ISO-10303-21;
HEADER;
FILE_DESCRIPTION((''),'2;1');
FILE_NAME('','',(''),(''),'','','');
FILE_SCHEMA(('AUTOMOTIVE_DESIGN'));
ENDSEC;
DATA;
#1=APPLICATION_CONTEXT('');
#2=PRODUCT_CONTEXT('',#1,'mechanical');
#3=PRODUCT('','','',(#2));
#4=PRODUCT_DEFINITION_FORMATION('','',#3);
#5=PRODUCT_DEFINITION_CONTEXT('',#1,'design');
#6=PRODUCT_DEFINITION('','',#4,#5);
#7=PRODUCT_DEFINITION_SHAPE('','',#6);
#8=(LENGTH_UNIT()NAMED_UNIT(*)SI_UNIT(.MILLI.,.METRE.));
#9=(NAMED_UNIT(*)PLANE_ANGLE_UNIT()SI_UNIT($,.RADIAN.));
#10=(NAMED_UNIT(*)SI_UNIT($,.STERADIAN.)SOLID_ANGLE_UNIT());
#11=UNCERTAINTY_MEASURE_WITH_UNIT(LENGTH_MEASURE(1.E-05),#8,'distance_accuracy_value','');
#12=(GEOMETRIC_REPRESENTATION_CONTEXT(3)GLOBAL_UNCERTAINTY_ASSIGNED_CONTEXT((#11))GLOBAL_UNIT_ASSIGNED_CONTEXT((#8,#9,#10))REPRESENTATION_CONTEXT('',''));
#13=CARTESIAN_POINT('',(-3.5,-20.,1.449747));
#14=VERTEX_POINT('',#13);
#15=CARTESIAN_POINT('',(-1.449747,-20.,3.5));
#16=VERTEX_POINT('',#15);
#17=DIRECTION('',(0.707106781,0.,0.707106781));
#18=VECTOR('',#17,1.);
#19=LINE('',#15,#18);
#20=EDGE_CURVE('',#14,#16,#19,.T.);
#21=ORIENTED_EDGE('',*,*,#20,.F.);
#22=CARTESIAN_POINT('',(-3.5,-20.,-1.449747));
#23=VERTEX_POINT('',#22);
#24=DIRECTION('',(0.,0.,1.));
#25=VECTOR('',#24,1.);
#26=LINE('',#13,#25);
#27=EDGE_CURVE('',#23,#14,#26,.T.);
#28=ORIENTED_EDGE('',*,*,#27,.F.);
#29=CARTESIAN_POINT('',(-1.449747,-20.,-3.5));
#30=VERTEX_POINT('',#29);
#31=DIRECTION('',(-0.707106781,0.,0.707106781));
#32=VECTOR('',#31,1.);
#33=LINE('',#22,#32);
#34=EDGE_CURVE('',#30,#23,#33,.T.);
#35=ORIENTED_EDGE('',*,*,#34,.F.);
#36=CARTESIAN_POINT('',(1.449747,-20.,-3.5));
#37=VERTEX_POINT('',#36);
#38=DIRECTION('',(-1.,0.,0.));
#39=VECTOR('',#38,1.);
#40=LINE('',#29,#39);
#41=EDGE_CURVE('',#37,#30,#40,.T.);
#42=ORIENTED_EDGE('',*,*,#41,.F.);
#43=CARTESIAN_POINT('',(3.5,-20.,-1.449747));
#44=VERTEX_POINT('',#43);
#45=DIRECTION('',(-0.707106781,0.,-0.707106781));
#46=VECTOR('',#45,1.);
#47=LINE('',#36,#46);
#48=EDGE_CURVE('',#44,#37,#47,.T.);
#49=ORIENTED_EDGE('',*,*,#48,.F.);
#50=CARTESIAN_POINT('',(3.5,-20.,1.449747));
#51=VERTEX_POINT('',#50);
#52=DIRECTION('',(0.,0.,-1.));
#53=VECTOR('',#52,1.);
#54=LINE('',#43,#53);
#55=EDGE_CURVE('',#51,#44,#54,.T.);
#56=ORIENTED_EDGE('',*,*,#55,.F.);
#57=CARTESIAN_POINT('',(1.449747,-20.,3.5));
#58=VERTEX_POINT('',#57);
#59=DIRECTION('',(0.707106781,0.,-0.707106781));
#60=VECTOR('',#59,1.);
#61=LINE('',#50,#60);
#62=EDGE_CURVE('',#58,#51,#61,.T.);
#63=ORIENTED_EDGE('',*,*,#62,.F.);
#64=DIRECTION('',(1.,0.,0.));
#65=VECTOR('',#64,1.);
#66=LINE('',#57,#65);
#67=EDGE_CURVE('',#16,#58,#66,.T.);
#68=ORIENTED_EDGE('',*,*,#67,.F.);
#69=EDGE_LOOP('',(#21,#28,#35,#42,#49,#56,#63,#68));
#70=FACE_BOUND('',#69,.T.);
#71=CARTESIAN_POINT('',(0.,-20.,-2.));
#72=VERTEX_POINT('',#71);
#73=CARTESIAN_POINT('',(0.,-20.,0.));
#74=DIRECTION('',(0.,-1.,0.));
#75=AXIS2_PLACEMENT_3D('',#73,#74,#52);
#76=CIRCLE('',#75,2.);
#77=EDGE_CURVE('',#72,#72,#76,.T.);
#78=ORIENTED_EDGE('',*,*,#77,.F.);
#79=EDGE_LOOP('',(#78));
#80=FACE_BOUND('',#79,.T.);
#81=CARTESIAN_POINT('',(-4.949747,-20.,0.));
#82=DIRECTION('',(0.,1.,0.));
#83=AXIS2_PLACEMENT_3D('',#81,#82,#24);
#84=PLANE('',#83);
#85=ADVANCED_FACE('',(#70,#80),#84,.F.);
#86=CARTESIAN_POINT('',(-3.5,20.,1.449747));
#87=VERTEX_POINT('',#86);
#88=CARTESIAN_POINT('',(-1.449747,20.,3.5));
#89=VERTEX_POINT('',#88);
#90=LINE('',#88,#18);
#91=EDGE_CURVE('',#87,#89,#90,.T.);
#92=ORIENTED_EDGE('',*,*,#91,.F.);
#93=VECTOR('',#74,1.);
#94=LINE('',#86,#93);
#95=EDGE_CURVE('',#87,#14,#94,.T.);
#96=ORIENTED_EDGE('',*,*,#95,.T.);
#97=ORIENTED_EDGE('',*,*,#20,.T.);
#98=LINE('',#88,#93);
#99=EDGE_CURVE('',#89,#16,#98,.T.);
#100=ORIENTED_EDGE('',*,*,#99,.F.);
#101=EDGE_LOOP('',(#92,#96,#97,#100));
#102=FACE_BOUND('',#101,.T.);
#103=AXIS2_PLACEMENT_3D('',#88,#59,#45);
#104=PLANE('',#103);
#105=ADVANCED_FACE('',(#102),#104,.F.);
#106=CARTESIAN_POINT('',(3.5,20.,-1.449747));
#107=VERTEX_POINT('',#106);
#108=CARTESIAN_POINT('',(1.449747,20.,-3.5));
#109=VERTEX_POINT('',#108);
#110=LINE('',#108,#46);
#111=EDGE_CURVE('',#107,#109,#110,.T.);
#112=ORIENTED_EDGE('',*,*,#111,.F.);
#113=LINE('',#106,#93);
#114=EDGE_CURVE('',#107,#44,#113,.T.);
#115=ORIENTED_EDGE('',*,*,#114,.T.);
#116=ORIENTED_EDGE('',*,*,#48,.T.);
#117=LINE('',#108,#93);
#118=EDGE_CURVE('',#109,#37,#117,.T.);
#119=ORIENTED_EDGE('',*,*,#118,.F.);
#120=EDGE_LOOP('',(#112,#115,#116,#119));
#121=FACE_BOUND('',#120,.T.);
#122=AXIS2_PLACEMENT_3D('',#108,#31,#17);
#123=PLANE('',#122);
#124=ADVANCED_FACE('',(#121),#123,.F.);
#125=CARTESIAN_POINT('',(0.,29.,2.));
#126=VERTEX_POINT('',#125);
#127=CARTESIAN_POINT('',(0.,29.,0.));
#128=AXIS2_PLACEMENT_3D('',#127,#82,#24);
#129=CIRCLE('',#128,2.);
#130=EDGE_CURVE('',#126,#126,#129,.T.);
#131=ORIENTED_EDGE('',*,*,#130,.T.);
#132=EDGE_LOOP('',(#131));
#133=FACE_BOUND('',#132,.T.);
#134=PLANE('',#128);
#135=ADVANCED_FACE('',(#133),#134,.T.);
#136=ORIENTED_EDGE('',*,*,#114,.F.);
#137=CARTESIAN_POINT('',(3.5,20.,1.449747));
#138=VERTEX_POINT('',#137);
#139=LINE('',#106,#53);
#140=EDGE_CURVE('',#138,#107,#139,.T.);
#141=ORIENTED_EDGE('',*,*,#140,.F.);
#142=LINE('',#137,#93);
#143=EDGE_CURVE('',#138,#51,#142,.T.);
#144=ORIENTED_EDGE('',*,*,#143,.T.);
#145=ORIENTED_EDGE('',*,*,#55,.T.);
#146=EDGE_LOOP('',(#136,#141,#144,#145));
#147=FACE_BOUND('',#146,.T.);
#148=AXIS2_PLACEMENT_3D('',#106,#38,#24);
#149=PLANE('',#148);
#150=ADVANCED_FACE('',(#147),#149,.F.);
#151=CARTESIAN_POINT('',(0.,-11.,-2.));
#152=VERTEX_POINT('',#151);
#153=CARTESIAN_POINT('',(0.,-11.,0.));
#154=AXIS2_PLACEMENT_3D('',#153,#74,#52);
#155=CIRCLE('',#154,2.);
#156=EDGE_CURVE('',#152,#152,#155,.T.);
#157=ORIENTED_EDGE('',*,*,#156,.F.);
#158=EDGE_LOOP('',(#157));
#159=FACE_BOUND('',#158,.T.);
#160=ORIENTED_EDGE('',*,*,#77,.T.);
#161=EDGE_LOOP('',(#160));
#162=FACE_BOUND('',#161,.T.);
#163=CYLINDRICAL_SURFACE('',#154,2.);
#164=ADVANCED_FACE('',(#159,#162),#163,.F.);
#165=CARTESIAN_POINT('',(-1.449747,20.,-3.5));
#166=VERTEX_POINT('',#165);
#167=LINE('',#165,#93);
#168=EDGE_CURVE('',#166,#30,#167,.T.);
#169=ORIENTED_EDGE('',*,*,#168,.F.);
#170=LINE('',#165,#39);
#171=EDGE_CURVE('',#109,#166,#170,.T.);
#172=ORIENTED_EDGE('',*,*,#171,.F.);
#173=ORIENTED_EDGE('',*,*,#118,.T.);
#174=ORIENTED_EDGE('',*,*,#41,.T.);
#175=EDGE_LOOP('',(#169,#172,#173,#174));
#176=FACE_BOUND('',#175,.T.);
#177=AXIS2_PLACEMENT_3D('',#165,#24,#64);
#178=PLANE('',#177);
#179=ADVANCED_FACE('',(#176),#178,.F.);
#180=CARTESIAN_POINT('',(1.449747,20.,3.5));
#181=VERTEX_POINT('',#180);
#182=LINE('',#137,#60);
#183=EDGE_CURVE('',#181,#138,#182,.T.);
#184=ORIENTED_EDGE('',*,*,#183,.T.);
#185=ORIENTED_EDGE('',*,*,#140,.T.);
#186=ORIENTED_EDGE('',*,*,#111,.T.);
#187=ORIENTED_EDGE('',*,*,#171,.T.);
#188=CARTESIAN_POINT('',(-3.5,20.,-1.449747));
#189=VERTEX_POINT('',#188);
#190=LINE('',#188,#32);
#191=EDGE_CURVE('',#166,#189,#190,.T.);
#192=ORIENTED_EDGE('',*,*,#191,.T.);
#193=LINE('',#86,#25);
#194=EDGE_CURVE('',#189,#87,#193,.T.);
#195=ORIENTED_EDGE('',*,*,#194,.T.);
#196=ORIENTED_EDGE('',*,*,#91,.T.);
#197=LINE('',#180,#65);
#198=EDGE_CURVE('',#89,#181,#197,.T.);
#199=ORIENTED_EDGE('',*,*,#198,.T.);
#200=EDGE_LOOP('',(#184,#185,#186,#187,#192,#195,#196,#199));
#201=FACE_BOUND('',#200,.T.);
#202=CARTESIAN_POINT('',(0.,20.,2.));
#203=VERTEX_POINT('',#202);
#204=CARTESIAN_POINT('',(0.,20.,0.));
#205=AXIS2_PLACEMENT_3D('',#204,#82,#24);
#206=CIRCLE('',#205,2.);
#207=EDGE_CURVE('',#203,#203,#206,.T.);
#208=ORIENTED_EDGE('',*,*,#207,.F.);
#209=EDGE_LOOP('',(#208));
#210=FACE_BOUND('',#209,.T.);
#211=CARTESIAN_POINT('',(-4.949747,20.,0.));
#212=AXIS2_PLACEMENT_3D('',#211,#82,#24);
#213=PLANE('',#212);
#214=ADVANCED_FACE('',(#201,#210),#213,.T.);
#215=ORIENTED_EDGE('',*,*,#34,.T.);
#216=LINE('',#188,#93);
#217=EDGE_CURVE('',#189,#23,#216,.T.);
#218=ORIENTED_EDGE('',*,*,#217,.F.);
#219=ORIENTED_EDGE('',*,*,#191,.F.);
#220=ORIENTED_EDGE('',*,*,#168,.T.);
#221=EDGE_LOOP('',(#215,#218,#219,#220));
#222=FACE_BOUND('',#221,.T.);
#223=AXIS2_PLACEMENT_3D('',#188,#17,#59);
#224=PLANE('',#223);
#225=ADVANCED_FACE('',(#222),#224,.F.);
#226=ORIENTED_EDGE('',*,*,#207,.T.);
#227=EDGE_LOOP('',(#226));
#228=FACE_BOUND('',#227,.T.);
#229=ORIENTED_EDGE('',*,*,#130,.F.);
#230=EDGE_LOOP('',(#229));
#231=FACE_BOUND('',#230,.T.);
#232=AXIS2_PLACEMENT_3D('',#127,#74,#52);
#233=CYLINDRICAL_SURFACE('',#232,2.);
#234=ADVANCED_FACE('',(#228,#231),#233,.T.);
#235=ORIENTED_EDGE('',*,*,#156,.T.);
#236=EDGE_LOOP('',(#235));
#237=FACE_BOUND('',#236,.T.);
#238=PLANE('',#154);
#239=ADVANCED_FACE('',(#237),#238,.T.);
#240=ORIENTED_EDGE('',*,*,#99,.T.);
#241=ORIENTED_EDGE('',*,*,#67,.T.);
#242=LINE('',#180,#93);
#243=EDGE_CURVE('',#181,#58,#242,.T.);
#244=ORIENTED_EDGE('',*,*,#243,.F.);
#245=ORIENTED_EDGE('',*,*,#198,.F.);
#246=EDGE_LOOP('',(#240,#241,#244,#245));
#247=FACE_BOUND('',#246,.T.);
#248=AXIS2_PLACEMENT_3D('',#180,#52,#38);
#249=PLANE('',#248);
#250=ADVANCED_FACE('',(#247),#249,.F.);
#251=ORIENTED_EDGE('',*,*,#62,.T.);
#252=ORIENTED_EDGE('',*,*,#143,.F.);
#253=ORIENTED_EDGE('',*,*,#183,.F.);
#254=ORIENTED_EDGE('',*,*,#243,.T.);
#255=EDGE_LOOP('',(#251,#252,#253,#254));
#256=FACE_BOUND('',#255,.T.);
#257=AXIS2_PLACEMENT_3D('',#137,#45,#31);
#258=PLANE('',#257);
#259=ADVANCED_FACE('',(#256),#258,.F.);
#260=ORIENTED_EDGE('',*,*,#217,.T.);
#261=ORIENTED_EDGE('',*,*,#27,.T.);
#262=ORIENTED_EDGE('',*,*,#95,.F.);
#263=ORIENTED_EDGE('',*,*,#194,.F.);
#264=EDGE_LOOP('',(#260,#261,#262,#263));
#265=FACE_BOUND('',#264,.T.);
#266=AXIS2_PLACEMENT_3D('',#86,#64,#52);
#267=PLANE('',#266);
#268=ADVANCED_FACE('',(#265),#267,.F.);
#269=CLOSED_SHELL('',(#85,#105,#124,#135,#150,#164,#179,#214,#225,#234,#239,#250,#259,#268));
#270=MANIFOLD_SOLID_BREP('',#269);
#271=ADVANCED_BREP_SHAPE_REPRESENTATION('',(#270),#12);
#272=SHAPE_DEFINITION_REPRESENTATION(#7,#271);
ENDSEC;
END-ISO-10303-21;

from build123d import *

# Parameters (mm, degrees)
EXTRUSION1_DEPTH        = 20
ESQUISSE2_R             = 2
EXTRUSION2_DEPTH        = 9
ESQUISSE3_R             = 2
ENL_V_MAT_EXTRU_1_DEPTH = 9


with BuildPart() as part:
    # Esquisse1 → Extrusion1 (new, symmetric)
    with BuildSketch(Plane(origin=(0, 0, 0), x_dir=(1, 0, 0), z_dir=(0, 1, 0))):
        Polygon((-1.449747468, 3.5), (1.449747468, 3.5), (3.5, 1.449747468), (3.5, -1.449747468), (1.449747468, -3.5), (-1.449747468, -3.5), (-3.5, -1.449747468), (-3.5, 1.449747468), align=None)
    extrude(amount=EXTRUSION1_DEPTH, both=True)

    # Esquisse2 → Extrusion2 (add)
    with BuildSketch(Plane(origin=(0, 20, 0), x_dir=(1, 0, 0), z_dir=(0, 1, 0))):
        with Locations(Location((0, 0, 0), (0, 0, 270))):
            Circle(ESQUISSE2_R)
    extrude(amount=EXTRUSION2_DEPTH)

    # Esquisse3 → Enlèv. mat.-Extru.1 (cut)
    with BuildSketch(Plane.XZ.offset(20)):
        with Locations(Location((0, 0, 0), (0, 0, 90))):
            Circle(ESQUISSE3_R)
    extrude(amount=-ENL_V_MAT_EXTRU_1_DEPTH, mode=Mode.SUBTRACT)


solid = part.part
